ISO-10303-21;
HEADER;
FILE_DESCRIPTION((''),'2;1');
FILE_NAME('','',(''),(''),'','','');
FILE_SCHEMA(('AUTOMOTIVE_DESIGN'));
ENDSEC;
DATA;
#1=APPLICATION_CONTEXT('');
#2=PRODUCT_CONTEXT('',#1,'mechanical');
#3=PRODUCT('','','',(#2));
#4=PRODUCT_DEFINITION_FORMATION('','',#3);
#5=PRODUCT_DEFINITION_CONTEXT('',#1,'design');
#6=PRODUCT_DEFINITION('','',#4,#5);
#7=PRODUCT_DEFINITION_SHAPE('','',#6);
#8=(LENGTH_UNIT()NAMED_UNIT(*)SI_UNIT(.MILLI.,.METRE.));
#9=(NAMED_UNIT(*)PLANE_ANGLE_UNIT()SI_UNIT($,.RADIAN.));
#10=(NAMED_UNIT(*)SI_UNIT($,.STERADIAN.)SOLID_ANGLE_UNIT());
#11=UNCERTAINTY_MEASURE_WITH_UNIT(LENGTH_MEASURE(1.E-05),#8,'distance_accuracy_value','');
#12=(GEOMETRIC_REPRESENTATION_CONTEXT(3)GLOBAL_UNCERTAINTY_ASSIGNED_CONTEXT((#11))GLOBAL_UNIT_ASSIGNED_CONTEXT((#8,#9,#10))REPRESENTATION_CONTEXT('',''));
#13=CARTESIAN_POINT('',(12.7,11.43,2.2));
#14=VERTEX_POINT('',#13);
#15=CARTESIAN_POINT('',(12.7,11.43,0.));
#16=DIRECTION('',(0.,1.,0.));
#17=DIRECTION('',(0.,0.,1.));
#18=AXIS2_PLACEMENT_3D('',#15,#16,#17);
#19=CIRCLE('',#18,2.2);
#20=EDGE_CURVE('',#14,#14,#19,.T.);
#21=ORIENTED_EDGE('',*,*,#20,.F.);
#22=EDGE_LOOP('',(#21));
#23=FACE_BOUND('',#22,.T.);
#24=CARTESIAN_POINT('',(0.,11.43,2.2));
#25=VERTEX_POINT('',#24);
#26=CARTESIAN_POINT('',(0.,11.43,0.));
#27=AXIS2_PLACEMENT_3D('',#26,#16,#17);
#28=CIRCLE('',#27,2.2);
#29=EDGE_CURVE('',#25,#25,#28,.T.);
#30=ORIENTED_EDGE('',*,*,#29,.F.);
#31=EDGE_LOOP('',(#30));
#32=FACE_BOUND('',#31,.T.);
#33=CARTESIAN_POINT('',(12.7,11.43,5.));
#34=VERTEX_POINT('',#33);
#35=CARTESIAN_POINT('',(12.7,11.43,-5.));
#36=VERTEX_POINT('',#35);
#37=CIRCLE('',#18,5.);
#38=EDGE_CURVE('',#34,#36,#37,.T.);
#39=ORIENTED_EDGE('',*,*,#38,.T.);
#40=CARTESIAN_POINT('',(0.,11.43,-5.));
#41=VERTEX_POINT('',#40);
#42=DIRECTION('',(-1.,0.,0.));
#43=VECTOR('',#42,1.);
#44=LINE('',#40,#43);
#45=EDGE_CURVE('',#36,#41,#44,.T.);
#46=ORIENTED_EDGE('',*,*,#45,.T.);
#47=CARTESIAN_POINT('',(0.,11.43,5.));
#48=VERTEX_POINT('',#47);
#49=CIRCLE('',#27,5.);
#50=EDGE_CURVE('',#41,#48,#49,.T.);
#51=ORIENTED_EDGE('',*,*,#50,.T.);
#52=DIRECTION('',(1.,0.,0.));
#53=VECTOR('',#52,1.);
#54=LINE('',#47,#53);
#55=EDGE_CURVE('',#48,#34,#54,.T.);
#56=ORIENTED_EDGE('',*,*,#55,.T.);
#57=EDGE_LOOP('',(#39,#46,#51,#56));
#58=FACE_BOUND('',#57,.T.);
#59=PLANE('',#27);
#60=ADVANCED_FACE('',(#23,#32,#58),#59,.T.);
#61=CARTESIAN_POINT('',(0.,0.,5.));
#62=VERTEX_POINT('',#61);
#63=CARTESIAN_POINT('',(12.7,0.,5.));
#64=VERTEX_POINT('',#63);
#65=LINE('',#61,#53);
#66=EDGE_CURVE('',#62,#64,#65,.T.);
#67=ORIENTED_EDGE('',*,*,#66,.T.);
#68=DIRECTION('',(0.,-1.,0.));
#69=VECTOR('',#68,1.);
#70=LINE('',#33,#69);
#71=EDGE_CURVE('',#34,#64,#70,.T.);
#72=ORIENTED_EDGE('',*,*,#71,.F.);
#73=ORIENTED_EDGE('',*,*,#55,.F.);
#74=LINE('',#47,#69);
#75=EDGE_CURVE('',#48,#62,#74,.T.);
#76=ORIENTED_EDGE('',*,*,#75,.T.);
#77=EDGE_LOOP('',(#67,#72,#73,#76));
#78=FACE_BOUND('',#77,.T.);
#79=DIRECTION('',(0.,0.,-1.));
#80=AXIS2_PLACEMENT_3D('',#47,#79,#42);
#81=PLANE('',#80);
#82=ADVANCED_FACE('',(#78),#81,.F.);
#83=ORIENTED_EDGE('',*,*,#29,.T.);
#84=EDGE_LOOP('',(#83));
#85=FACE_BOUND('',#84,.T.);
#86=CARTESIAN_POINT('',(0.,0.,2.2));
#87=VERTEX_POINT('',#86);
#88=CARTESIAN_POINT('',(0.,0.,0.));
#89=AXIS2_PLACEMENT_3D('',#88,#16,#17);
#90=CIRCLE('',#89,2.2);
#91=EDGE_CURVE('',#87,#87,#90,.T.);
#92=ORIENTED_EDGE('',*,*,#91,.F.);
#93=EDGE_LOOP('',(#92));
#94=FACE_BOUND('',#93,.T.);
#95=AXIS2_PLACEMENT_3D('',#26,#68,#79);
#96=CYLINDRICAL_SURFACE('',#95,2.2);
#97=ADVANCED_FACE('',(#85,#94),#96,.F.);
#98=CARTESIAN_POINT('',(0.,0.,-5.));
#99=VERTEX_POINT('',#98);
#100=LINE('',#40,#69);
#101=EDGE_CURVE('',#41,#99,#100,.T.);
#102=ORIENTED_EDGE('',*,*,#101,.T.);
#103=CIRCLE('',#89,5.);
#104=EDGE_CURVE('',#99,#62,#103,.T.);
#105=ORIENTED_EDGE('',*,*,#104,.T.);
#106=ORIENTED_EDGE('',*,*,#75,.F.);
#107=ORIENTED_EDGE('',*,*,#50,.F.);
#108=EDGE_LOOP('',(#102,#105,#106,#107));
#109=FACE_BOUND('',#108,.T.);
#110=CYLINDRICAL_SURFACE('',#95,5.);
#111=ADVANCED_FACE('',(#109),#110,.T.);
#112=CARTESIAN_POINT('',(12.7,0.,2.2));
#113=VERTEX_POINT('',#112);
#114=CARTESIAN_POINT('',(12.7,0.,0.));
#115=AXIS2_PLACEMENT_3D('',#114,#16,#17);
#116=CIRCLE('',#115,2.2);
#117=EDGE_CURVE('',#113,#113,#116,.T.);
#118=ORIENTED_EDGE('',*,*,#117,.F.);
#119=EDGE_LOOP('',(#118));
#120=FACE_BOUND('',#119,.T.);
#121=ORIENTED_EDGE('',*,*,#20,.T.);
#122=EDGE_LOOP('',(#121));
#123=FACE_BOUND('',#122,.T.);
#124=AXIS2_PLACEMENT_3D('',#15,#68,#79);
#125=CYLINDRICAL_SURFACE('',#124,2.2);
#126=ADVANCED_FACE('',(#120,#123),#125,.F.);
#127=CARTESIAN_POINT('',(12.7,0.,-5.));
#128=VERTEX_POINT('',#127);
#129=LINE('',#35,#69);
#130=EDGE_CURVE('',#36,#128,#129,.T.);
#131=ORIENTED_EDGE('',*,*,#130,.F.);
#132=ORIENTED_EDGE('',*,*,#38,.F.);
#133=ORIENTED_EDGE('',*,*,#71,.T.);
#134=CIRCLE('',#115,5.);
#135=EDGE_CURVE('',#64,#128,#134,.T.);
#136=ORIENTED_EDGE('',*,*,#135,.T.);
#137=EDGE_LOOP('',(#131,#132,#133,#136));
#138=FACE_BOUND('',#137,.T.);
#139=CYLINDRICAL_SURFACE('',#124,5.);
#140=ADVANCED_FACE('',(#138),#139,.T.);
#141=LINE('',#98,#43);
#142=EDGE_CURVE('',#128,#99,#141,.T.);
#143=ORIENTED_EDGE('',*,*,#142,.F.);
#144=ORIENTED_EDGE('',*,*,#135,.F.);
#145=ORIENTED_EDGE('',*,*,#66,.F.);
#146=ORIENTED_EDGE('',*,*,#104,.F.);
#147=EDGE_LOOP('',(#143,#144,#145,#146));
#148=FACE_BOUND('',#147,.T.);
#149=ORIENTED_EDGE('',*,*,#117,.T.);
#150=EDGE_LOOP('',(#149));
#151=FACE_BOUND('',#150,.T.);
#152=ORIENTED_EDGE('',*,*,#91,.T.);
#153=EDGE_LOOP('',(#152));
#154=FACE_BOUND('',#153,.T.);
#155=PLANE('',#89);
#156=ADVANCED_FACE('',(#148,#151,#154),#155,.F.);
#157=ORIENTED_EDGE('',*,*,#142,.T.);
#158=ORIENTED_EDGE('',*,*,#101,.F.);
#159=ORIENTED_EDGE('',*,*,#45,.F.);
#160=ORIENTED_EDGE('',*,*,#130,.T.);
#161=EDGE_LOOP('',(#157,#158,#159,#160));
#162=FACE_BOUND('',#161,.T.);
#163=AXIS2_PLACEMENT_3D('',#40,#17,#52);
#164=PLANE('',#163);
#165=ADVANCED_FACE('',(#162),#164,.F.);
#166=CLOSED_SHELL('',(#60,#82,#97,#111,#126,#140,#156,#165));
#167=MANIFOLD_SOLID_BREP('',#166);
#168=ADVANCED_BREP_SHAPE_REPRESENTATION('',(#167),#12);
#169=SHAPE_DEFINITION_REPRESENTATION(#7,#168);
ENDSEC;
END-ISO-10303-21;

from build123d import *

# Parameters (mm, degrees)
SKETCH1_R           = 2.2
BOSS_EXTRUDE1_DEPTH = 11.43


with BuildPart() as part:
    # Sketch1 → Boss-Extrude1 (new body)
    with BuildSketch(Plane(origin=(0, 0, 0), x_dir=(1, 0, 0), z_dir=(0, 1, 0))):
        with BuildLine():
            Line((0, 5), (12.7, 5))
            ThreePointArc((12.7, 5), (17.7, 0), (12.7, -5))
            Line((12.7, -5), (0, -5))
            ThreePointArc((0, -5), (-5, 0), (0, 5))
        make_face()
        with Locations(Location((0, 0, 0), (0, 0, 270))):
            Circle(SKETCH1_R, mode=Mode.SUBTRACT)
        with Locations(Location((12.7, 0, 0), (0, 0, 270))):
            Circle(SKETCH1_R, mode=Mode.SUBTRACT)
    extrude(amount=BOSS_EXTRUDE1_DEPTH)


solid = part.part
